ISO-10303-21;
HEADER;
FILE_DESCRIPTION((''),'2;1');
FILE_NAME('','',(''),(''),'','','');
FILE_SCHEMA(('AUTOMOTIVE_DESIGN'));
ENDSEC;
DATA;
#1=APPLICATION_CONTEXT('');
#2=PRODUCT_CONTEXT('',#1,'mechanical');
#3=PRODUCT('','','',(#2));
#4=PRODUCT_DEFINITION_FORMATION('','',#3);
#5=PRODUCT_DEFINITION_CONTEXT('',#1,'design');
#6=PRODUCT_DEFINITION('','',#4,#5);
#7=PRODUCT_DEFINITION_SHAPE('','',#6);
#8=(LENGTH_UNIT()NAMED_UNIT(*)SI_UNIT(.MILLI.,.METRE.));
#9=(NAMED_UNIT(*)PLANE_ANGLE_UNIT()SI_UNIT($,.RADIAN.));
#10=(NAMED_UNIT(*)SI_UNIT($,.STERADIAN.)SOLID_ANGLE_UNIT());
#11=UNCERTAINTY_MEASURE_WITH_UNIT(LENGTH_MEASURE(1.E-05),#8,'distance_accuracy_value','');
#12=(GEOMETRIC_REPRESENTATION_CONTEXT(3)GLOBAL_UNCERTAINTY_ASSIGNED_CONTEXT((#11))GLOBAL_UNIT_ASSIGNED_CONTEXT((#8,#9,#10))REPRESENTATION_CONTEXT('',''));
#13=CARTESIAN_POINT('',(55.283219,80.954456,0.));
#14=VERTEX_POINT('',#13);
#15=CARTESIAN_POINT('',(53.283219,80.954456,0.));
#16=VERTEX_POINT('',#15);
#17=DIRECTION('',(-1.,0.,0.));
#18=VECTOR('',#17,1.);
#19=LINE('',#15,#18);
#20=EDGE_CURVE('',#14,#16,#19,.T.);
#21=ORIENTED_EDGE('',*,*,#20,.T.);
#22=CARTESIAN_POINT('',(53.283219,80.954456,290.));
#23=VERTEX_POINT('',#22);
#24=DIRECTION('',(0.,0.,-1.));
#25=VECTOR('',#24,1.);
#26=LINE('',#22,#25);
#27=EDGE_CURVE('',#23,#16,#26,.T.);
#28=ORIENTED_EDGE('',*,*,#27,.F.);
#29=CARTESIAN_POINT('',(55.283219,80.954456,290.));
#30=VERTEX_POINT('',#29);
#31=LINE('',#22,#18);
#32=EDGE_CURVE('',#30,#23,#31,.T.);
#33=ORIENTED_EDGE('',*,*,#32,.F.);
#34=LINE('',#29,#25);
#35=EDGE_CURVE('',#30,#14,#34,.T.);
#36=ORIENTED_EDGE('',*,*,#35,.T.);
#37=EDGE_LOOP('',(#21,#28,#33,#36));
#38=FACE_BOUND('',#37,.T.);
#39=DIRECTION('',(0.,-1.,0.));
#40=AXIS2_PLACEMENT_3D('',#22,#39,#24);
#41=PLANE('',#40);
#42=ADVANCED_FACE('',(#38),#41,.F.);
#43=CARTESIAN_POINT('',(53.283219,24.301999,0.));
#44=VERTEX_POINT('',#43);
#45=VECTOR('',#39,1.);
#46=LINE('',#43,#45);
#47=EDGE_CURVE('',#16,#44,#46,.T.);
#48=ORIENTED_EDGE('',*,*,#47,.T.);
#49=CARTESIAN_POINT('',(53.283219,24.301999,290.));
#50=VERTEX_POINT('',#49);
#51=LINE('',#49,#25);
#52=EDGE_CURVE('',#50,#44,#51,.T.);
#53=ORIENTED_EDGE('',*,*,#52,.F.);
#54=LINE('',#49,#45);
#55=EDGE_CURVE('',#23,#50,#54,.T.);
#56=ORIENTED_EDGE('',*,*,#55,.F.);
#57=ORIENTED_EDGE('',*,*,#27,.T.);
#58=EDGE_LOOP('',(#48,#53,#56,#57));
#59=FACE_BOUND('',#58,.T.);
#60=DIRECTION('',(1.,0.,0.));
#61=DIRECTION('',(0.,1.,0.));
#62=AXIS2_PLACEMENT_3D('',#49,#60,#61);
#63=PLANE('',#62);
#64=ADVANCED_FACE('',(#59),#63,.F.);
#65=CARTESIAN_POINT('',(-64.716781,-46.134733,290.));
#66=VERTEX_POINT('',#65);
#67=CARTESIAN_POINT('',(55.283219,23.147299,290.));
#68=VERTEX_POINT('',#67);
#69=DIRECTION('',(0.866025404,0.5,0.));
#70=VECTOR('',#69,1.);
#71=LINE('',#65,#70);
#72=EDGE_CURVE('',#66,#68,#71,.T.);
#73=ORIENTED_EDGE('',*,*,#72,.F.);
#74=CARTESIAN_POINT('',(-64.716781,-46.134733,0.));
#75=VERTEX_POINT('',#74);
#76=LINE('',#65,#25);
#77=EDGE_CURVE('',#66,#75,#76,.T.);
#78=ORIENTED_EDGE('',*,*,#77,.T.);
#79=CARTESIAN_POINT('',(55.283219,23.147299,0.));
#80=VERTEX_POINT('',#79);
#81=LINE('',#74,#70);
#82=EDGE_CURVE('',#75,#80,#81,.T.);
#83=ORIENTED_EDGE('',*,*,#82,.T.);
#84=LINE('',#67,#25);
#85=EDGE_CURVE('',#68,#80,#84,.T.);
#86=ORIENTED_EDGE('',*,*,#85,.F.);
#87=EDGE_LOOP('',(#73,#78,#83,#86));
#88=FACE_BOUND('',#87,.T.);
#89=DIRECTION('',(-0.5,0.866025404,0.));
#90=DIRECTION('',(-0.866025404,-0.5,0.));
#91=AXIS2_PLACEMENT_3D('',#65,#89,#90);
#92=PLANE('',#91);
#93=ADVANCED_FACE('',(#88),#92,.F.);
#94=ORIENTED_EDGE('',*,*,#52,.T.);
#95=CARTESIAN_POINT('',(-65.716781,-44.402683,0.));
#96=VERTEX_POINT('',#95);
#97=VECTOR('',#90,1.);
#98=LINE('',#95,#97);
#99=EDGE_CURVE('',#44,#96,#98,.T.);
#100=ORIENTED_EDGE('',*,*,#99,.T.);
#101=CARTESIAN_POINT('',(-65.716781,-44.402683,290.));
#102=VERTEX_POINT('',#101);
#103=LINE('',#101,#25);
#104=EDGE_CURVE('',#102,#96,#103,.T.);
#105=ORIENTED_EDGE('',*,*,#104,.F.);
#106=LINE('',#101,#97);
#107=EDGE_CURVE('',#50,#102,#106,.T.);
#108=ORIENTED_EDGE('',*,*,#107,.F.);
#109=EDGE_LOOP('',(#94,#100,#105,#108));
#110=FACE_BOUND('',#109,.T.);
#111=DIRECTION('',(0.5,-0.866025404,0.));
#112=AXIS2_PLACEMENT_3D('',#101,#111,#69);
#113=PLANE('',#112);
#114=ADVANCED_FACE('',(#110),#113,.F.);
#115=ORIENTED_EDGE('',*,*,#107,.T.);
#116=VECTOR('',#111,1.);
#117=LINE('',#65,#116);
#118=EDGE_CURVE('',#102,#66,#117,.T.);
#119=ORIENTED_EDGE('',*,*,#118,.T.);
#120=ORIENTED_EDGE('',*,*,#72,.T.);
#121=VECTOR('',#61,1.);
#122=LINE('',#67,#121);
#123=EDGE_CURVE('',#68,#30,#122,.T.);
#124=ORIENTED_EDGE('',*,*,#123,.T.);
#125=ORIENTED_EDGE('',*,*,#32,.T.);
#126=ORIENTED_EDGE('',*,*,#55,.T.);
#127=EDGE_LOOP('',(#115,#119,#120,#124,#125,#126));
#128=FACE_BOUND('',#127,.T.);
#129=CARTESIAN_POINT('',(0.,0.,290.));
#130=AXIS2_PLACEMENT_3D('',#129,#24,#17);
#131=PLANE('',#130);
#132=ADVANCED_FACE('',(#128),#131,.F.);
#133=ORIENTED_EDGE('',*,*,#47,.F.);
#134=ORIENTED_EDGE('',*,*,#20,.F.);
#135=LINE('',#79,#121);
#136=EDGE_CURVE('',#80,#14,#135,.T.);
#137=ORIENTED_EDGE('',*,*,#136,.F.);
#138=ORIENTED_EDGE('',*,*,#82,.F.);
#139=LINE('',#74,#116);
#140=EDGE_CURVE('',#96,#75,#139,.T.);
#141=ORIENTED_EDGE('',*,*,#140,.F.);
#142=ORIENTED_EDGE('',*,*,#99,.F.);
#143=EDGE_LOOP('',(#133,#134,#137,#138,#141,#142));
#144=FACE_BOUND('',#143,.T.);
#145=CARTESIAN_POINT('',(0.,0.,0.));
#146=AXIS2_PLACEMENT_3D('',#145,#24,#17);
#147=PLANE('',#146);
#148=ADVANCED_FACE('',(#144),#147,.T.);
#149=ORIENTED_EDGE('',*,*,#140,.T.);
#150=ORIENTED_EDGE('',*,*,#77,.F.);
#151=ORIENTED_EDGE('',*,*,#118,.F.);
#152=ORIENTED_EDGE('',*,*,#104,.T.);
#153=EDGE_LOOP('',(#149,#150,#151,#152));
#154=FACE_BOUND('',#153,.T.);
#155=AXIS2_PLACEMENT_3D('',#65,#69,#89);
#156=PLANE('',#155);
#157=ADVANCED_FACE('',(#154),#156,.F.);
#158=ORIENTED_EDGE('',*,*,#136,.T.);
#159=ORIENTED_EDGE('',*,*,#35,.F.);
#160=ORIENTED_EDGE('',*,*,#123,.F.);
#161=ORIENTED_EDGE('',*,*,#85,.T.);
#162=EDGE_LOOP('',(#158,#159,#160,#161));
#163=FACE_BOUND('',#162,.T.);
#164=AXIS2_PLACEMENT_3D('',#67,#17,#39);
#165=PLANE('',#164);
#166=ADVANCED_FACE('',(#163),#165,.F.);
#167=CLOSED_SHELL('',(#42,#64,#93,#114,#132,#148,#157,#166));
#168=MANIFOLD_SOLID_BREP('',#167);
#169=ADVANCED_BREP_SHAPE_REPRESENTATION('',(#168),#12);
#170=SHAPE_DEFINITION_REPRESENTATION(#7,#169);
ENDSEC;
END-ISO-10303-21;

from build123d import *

# Parameters (mm, degrees)
BOSS_EXTRUDE1_DEPTH = 290


with BuildPart() as part:
    # Sketch1 → Boss-Extrude1 (new body)
    with BuildSketch(Plane.XY):
        Polygon((-65.716780924, -44.402682563), (53.283219076, 24.30199947), (53.283219076, 80.954456036), (55.283219076, 80.954456036), (55.283219076, 23.147298932), (-64.716780924, -46.134733371), align=None)
    extrude(amount=BOSS_EXTRUDE1_DEPTH)


solid = part.part
